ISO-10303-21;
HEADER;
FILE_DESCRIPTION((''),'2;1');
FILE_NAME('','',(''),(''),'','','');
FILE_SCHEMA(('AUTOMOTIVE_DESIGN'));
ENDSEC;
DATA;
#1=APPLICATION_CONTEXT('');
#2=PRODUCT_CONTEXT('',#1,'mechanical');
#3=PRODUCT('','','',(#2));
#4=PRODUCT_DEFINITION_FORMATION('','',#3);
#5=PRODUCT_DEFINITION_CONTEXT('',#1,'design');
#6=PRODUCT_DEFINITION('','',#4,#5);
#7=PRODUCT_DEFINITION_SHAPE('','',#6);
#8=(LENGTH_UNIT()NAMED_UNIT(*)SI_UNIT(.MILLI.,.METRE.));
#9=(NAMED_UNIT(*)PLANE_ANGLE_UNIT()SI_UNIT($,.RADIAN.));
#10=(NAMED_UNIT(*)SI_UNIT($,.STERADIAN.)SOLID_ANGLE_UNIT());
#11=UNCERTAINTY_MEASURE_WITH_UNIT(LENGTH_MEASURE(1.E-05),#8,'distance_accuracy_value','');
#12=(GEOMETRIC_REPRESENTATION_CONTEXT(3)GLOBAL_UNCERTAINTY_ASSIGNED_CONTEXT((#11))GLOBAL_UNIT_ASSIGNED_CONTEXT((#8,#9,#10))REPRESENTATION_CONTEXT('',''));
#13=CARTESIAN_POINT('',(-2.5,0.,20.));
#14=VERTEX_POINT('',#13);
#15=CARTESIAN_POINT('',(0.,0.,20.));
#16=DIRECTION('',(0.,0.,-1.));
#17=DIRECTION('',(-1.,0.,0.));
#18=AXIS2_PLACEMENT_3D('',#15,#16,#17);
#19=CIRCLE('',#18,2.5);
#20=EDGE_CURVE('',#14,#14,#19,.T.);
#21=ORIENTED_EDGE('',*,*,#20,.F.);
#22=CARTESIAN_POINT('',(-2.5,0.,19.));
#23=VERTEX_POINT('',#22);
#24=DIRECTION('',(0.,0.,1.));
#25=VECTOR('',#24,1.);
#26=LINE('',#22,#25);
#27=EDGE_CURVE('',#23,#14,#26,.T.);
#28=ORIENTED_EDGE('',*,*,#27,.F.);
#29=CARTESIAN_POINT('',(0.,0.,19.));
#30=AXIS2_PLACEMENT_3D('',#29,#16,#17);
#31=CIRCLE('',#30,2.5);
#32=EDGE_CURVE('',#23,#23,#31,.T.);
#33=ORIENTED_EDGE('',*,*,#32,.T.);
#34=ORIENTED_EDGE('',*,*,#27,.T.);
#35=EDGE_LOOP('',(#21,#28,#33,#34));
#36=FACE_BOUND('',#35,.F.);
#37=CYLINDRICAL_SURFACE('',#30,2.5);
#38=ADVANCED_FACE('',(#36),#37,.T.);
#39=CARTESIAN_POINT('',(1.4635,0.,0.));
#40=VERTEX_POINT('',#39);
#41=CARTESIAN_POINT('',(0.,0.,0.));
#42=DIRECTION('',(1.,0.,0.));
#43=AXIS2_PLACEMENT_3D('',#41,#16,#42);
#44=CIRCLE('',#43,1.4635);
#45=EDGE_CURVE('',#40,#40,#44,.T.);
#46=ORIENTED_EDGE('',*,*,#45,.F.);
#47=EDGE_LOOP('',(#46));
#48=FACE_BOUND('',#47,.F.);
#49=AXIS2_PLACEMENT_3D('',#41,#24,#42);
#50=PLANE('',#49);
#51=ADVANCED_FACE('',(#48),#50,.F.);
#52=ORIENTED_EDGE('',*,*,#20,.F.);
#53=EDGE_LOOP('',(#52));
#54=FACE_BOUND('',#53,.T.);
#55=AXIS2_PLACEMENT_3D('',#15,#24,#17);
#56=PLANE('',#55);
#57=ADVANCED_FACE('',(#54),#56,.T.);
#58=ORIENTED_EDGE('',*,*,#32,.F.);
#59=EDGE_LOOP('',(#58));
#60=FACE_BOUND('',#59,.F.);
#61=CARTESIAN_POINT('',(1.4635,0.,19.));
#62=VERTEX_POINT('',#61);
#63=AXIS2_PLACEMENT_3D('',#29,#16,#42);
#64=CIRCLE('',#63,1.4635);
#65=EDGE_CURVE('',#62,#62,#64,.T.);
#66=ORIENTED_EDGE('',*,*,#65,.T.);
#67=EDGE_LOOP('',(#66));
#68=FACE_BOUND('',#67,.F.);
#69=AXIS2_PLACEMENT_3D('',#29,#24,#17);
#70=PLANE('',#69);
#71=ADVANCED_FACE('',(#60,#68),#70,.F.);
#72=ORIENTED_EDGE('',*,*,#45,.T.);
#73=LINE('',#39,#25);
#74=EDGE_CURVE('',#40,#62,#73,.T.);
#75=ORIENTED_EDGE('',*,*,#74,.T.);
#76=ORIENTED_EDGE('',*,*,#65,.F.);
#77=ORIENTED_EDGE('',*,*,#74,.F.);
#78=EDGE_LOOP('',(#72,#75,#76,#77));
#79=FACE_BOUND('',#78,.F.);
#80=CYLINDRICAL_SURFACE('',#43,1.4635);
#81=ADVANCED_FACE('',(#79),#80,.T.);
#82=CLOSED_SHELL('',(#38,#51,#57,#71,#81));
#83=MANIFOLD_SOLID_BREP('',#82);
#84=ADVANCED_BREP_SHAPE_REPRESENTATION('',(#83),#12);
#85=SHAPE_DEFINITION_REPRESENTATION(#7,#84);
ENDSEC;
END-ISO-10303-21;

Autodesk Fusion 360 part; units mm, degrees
sketch "Sketch1" plane through (0, 0, 0) normal (0, 0, 1) x (1, 0, 0)
  circle A0 centre (0, 0) radius 1.5
  dimension "d1" = 3
extrude "Extrude1" add sketch "Sketch1" along normal blind 19 makes body 1
sketch "Sketch2" plane through (0, 0, 19) normal (0, 0, 1) x (-1, 0, 0)
  circle A0 centre (0, 0) radius 1.5
  circle A1 centre (0, 0) radius 2.5
  dimension "d4" = 5
extrude "Extrude2" add sketch "Sketch2" along normal blind 1 separate body makes body 2
extrude "Extrude3" add 1 faces at (0.567, -0.5383, 19) along direction (0, 0, 1) blind 1 on bodies 1 bodies 1 2
thread "Thread1" "ISO Metric profile 3.0 M3x0.5 6g" major diameter 2.927 minor diameter 2.3555 pitch 0.5 angle 60 resizes the face on face at (1.4981, -0.0748, 6.3333) on bodies 1
